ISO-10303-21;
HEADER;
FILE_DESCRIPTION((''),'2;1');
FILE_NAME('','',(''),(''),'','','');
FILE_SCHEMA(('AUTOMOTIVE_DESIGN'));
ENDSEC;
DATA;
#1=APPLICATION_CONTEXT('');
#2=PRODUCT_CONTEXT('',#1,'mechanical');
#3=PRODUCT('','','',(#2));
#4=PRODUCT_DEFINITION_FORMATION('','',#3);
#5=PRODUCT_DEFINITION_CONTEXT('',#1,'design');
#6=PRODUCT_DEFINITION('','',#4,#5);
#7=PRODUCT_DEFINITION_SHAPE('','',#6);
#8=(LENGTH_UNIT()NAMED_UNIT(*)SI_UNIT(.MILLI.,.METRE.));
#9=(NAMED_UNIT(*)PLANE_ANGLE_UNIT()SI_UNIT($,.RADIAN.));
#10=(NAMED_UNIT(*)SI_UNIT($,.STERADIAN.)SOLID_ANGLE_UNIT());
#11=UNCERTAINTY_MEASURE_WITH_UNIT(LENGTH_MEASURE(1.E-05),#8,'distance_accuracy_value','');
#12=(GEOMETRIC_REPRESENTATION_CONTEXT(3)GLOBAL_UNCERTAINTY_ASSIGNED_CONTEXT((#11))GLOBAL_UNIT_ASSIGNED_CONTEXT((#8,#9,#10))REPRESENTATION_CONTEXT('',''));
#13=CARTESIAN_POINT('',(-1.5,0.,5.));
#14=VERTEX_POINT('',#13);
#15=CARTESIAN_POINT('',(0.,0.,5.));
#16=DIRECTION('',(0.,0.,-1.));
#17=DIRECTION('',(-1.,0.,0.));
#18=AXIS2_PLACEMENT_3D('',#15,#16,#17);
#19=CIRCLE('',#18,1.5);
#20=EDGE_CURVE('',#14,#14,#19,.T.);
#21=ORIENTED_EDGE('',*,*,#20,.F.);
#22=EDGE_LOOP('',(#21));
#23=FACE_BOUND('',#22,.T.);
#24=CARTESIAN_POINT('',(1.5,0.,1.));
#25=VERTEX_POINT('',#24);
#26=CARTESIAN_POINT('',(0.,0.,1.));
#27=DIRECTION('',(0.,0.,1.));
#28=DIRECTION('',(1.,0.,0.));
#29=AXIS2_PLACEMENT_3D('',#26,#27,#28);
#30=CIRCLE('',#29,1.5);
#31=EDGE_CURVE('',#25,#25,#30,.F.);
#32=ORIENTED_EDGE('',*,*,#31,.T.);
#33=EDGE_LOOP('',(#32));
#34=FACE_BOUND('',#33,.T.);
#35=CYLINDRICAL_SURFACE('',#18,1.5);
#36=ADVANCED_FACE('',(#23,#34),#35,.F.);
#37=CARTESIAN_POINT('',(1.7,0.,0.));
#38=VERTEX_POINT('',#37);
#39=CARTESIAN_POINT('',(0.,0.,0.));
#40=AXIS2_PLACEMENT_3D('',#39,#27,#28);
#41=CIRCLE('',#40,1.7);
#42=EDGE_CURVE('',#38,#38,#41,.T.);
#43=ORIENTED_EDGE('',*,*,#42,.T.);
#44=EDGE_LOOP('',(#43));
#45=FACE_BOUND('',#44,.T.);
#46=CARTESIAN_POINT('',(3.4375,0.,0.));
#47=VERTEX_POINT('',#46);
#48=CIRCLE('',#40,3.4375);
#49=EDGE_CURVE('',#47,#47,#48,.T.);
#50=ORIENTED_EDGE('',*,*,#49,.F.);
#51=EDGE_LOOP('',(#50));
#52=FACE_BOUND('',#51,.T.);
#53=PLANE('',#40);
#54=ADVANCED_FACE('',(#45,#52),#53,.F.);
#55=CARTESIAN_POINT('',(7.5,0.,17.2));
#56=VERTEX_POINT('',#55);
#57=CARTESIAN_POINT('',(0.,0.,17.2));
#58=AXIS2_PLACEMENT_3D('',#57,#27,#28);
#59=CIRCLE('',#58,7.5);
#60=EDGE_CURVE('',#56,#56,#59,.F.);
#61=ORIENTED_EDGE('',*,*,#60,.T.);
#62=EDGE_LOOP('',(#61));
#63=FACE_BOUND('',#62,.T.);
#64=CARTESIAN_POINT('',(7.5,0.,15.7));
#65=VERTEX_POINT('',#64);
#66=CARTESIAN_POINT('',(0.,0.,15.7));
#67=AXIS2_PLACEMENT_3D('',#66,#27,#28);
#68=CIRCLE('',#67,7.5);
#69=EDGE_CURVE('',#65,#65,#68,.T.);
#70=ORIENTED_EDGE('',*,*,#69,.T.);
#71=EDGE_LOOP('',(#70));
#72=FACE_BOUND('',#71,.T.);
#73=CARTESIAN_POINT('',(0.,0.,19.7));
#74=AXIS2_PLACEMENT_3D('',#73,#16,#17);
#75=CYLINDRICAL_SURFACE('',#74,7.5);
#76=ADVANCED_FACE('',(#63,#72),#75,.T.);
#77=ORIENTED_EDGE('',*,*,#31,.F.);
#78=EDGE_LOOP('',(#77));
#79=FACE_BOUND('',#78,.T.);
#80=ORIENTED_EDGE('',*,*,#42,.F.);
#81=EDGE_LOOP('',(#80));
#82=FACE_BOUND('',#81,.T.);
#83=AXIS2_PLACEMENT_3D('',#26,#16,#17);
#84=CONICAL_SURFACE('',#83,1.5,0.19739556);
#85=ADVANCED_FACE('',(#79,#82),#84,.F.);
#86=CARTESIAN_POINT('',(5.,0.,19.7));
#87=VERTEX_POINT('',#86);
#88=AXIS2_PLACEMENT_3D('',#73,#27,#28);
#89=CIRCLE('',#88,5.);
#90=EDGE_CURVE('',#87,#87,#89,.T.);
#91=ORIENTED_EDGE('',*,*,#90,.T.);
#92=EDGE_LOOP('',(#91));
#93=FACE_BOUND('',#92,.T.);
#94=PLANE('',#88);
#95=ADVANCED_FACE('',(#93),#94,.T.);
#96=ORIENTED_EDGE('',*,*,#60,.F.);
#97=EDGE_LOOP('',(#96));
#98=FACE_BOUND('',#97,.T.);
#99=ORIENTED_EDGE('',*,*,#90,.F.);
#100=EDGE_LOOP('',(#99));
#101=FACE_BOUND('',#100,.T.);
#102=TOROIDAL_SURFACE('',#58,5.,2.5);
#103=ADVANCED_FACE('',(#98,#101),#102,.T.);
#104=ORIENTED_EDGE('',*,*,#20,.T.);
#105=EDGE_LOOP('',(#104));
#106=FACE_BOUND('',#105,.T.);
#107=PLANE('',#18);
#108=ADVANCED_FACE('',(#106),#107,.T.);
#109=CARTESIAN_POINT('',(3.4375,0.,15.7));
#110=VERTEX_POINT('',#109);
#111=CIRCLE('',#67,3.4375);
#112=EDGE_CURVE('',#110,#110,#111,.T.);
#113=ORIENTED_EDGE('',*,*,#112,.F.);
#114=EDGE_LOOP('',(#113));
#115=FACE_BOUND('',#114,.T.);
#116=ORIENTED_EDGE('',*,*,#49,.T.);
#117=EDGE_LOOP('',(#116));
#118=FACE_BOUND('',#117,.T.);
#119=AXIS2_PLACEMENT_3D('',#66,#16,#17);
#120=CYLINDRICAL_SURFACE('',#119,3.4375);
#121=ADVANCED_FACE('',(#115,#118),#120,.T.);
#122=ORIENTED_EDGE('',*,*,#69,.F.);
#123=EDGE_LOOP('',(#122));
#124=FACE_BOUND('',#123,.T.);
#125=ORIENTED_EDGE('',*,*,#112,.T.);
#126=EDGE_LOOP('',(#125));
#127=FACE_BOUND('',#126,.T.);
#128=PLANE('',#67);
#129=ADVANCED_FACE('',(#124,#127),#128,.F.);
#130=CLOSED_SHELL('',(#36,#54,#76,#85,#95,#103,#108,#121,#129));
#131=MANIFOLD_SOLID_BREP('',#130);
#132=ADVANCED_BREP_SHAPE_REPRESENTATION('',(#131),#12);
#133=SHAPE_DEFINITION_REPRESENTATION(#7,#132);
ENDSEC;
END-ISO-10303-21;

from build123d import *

# Parameters (mm, degrees)
SKETCH1_R           = 3.4375
BOSS_EXTRUDE1_DEPTH = 15.7
SKETCH2_R           = 7.5
BOSS_EXTRUDE2_DEPTH = 4
SKETCH3_R           = 1.5
CUT_EXTRUDE1_DEPTH  = 5
CHAMFER1_SIZE       = 0.2
CHAMFER1_SIZE2      = 1
FILLET1_R           = 2.5


with BuildPart() as part:
    # Sketch1 → Boss-Extrude1 (new body)
    with BuildSketch(Plane.XY):
        Circle(SKETCH1_R)
    extrude(amount=BOSS_EXTRUDE1_DEPTH)

    # Sketch2 → Boss-Extrude2 (add)
    with BuildSketch(Plane.XY.offset(15.7)):
        Circle(SKETCH2_R)
    extrude(amount=BOSS_EXTRUDE2_DEPTH)

    # Sketch3 → Cut-Extrude1 (cut)
    with BuildSketch(Plane(origin=(0, 0, 0), x_dir=(-1, 0, 0), z_dir=(0, 0, -1))):
        Circle(SKETCH3_R)
    extrude(amount=-CUT_EXTRUDE1_DEPTH, mode=Mode.SUBTRACT)

    # Chamfer1
    chamfer1_edges = [part.edges().sort_by_distance(p)[0] for p in [
        (1.5, 0, 0),
    ]]
    chamfer1_side = [part.faces().sort_by_distance(p)[0] for p in [
        (-3.340272818, 0, 0),
    ]]
    chamfer(chamfer1_edges, length=CHAMFER1_SIZE, length2=CHAMFER1_SIZE2, reference=chamfer1_side[0])

    # Fillet1
    fillet1_edges = [part.edges().sort_by_distance(p)[0] for p in [
        (-7.5, 0, 19.7),
    ]]
    fillet(fillet1_edges, radius=FILLET1_R)


solid = part.part
